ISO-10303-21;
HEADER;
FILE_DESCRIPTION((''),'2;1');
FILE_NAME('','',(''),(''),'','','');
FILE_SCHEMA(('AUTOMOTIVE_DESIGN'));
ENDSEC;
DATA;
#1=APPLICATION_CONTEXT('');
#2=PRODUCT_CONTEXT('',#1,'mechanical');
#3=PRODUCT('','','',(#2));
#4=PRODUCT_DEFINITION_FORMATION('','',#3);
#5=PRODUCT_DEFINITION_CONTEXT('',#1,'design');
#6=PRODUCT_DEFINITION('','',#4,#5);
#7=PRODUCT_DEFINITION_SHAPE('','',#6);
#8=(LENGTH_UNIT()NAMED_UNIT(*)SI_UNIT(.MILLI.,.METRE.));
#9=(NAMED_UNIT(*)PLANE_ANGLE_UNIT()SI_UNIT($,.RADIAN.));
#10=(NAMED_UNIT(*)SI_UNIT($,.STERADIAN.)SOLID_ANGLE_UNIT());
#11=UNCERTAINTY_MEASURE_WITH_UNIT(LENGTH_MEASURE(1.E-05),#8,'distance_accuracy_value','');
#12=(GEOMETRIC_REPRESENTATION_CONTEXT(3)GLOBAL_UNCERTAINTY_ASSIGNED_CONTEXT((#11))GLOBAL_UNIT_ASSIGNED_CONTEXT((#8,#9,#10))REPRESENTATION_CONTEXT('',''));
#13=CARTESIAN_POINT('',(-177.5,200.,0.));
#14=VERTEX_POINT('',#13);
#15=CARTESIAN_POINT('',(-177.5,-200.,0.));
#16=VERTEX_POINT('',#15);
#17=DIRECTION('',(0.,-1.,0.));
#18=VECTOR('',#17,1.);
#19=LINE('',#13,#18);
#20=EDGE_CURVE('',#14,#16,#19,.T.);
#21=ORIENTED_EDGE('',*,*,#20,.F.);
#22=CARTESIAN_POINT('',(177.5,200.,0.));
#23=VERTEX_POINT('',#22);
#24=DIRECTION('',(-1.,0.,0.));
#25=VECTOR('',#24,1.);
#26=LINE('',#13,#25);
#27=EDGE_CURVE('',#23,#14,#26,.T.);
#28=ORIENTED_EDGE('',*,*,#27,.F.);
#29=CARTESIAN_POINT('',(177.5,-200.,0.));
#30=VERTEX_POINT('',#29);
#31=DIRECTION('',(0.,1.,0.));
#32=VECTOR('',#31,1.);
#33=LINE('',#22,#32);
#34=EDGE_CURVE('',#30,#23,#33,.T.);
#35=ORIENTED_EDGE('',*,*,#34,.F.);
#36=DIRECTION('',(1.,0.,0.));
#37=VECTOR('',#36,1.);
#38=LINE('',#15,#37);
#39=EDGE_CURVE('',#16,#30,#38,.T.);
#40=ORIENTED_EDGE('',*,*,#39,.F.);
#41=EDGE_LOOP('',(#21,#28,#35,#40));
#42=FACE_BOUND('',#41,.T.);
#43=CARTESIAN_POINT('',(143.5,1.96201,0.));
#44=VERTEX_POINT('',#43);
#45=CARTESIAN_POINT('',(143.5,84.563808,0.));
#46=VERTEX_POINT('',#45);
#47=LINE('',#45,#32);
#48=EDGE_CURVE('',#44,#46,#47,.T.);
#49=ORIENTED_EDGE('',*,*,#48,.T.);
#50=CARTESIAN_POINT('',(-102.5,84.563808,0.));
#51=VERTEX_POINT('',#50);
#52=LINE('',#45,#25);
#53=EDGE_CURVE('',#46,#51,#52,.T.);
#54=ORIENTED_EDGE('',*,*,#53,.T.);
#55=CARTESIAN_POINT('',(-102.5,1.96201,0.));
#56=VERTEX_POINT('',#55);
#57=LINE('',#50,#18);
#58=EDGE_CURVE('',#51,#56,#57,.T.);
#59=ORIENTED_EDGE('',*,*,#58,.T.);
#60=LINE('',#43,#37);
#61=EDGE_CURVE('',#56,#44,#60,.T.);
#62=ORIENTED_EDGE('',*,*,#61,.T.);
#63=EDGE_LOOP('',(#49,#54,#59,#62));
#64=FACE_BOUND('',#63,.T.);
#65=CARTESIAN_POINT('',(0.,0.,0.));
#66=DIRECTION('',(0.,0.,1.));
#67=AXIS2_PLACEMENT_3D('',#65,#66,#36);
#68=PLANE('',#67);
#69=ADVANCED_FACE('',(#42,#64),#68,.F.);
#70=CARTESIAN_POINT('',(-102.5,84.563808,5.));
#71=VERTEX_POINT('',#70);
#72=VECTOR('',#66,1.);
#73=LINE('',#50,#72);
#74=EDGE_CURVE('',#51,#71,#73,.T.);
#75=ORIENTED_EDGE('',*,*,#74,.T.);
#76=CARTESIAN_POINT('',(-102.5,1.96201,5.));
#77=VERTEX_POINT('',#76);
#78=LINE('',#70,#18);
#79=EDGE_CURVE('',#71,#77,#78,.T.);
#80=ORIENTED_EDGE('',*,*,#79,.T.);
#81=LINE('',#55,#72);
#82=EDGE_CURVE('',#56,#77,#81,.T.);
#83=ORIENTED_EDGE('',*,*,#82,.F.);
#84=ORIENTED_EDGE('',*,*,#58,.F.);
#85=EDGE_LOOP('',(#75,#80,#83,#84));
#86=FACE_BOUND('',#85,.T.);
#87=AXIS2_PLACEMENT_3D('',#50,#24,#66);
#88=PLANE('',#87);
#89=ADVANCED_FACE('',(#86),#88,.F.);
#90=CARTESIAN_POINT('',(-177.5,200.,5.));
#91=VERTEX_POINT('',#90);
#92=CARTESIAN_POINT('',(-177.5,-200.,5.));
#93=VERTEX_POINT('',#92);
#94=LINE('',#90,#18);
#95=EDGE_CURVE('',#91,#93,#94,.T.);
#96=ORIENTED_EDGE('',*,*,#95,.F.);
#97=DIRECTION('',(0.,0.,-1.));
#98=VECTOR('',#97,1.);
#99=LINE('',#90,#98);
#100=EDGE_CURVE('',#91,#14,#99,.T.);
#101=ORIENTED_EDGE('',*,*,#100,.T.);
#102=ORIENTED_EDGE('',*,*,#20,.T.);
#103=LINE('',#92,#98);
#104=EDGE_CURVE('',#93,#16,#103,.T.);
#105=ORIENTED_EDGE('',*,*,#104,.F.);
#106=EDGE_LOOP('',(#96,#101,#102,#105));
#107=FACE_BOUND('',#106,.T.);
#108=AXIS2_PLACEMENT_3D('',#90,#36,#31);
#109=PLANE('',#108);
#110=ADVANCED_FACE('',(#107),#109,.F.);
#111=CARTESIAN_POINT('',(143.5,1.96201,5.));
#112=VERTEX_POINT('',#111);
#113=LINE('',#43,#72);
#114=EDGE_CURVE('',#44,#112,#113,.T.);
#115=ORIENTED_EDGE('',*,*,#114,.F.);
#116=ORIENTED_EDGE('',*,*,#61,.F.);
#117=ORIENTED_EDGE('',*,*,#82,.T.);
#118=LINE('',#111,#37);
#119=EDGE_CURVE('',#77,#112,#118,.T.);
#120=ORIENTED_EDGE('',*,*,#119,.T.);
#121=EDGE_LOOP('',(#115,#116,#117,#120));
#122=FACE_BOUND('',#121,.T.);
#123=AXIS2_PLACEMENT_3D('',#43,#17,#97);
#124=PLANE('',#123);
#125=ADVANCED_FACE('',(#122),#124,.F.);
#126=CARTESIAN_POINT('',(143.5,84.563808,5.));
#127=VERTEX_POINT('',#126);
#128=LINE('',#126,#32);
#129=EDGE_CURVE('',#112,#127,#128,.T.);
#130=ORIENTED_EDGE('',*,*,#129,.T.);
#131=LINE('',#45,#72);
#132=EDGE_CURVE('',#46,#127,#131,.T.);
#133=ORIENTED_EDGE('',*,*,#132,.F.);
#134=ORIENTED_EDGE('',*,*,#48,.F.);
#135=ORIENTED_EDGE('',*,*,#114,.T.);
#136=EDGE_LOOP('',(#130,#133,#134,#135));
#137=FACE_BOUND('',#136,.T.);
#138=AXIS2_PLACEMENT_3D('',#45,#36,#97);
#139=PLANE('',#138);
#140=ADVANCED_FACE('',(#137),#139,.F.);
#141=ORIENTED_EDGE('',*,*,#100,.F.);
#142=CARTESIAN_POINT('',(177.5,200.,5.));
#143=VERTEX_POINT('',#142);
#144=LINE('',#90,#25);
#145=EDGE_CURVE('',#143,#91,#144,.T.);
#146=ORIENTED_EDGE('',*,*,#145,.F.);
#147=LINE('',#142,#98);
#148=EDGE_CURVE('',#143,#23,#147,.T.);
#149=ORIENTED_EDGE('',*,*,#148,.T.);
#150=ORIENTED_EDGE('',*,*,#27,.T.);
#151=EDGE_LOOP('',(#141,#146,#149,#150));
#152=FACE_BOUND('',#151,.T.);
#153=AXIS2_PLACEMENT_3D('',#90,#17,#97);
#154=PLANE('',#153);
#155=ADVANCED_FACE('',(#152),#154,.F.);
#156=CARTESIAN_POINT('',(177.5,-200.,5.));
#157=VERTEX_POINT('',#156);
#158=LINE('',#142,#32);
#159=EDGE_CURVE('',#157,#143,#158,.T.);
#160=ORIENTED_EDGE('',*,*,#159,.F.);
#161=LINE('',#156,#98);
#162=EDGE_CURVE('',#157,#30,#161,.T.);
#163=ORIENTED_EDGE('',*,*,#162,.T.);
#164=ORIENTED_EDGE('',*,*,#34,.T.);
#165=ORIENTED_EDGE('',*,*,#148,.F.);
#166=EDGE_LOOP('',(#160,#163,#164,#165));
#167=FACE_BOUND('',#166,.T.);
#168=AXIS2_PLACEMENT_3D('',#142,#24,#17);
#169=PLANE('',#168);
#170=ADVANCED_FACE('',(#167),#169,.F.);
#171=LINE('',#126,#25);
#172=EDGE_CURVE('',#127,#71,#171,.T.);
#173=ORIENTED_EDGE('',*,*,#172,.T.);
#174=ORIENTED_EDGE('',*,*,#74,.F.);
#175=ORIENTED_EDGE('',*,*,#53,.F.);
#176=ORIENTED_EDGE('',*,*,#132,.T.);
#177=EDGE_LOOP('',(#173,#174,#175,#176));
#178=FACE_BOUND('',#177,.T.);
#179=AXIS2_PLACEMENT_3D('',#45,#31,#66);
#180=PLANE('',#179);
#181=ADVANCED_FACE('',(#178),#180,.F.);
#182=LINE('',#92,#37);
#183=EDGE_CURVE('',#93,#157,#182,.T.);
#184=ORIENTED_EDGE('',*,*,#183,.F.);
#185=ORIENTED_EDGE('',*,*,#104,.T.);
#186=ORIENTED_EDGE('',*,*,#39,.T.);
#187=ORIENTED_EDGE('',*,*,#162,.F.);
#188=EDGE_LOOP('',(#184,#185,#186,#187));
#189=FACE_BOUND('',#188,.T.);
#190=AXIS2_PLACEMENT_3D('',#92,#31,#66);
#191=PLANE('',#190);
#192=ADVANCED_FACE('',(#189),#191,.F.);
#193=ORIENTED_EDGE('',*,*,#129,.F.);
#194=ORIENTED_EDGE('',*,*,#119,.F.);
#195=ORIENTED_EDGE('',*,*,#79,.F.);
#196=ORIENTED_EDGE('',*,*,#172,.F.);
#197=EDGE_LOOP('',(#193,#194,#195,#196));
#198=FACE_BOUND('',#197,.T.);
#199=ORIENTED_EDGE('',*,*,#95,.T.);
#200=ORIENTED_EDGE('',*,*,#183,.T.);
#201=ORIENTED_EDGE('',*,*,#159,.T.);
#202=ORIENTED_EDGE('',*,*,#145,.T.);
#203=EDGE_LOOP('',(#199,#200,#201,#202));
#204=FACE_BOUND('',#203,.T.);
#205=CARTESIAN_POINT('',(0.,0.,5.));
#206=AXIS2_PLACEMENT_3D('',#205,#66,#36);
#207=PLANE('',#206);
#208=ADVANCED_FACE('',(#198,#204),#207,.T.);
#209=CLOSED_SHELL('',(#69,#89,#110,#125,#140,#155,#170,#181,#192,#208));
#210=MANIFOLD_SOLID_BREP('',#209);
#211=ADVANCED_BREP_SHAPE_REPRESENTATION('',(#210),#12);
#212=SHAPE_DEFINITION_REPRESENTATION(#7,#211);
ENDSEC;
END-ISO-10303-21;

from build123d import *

# Parameters (mm, degrees)
ESQUISSE1_W             = 355
ESQUISSE1_H             = 400
BOSS_EXTRU_1_DEPTH      = 5
ESQUISSE6_W             = 246
ESQUISSE6_H             = 82.601797814
ENL_V_MAT_EXTRU_4_DEPTH = 268.453266946


with BuildPart() as part:
    # Esquisse1 → Boss.-Extru.1 (new body)
    with BuildSketch(Plane.XY):
        Rectangle(ESQUISSE1_W, ESQUISSE1_H)
    extrude(amount=BOSS_EXTRU_1_DEPTH)

    # Esquisse6 → Enlèv. mat.-Extru.4 (cut, through all)
    with BuildSketch(Plane.XY.offset(5)):
        with Locations((20.5, 43.262908986)):
            Rectangle(ESQUISSE6_W, ESQUISSE6_H)
    extrude(amount=-ENL_V_MAT_EXTRU_4_DEPTH, mode=Mode.SUBTRACT)


solid = part.part
